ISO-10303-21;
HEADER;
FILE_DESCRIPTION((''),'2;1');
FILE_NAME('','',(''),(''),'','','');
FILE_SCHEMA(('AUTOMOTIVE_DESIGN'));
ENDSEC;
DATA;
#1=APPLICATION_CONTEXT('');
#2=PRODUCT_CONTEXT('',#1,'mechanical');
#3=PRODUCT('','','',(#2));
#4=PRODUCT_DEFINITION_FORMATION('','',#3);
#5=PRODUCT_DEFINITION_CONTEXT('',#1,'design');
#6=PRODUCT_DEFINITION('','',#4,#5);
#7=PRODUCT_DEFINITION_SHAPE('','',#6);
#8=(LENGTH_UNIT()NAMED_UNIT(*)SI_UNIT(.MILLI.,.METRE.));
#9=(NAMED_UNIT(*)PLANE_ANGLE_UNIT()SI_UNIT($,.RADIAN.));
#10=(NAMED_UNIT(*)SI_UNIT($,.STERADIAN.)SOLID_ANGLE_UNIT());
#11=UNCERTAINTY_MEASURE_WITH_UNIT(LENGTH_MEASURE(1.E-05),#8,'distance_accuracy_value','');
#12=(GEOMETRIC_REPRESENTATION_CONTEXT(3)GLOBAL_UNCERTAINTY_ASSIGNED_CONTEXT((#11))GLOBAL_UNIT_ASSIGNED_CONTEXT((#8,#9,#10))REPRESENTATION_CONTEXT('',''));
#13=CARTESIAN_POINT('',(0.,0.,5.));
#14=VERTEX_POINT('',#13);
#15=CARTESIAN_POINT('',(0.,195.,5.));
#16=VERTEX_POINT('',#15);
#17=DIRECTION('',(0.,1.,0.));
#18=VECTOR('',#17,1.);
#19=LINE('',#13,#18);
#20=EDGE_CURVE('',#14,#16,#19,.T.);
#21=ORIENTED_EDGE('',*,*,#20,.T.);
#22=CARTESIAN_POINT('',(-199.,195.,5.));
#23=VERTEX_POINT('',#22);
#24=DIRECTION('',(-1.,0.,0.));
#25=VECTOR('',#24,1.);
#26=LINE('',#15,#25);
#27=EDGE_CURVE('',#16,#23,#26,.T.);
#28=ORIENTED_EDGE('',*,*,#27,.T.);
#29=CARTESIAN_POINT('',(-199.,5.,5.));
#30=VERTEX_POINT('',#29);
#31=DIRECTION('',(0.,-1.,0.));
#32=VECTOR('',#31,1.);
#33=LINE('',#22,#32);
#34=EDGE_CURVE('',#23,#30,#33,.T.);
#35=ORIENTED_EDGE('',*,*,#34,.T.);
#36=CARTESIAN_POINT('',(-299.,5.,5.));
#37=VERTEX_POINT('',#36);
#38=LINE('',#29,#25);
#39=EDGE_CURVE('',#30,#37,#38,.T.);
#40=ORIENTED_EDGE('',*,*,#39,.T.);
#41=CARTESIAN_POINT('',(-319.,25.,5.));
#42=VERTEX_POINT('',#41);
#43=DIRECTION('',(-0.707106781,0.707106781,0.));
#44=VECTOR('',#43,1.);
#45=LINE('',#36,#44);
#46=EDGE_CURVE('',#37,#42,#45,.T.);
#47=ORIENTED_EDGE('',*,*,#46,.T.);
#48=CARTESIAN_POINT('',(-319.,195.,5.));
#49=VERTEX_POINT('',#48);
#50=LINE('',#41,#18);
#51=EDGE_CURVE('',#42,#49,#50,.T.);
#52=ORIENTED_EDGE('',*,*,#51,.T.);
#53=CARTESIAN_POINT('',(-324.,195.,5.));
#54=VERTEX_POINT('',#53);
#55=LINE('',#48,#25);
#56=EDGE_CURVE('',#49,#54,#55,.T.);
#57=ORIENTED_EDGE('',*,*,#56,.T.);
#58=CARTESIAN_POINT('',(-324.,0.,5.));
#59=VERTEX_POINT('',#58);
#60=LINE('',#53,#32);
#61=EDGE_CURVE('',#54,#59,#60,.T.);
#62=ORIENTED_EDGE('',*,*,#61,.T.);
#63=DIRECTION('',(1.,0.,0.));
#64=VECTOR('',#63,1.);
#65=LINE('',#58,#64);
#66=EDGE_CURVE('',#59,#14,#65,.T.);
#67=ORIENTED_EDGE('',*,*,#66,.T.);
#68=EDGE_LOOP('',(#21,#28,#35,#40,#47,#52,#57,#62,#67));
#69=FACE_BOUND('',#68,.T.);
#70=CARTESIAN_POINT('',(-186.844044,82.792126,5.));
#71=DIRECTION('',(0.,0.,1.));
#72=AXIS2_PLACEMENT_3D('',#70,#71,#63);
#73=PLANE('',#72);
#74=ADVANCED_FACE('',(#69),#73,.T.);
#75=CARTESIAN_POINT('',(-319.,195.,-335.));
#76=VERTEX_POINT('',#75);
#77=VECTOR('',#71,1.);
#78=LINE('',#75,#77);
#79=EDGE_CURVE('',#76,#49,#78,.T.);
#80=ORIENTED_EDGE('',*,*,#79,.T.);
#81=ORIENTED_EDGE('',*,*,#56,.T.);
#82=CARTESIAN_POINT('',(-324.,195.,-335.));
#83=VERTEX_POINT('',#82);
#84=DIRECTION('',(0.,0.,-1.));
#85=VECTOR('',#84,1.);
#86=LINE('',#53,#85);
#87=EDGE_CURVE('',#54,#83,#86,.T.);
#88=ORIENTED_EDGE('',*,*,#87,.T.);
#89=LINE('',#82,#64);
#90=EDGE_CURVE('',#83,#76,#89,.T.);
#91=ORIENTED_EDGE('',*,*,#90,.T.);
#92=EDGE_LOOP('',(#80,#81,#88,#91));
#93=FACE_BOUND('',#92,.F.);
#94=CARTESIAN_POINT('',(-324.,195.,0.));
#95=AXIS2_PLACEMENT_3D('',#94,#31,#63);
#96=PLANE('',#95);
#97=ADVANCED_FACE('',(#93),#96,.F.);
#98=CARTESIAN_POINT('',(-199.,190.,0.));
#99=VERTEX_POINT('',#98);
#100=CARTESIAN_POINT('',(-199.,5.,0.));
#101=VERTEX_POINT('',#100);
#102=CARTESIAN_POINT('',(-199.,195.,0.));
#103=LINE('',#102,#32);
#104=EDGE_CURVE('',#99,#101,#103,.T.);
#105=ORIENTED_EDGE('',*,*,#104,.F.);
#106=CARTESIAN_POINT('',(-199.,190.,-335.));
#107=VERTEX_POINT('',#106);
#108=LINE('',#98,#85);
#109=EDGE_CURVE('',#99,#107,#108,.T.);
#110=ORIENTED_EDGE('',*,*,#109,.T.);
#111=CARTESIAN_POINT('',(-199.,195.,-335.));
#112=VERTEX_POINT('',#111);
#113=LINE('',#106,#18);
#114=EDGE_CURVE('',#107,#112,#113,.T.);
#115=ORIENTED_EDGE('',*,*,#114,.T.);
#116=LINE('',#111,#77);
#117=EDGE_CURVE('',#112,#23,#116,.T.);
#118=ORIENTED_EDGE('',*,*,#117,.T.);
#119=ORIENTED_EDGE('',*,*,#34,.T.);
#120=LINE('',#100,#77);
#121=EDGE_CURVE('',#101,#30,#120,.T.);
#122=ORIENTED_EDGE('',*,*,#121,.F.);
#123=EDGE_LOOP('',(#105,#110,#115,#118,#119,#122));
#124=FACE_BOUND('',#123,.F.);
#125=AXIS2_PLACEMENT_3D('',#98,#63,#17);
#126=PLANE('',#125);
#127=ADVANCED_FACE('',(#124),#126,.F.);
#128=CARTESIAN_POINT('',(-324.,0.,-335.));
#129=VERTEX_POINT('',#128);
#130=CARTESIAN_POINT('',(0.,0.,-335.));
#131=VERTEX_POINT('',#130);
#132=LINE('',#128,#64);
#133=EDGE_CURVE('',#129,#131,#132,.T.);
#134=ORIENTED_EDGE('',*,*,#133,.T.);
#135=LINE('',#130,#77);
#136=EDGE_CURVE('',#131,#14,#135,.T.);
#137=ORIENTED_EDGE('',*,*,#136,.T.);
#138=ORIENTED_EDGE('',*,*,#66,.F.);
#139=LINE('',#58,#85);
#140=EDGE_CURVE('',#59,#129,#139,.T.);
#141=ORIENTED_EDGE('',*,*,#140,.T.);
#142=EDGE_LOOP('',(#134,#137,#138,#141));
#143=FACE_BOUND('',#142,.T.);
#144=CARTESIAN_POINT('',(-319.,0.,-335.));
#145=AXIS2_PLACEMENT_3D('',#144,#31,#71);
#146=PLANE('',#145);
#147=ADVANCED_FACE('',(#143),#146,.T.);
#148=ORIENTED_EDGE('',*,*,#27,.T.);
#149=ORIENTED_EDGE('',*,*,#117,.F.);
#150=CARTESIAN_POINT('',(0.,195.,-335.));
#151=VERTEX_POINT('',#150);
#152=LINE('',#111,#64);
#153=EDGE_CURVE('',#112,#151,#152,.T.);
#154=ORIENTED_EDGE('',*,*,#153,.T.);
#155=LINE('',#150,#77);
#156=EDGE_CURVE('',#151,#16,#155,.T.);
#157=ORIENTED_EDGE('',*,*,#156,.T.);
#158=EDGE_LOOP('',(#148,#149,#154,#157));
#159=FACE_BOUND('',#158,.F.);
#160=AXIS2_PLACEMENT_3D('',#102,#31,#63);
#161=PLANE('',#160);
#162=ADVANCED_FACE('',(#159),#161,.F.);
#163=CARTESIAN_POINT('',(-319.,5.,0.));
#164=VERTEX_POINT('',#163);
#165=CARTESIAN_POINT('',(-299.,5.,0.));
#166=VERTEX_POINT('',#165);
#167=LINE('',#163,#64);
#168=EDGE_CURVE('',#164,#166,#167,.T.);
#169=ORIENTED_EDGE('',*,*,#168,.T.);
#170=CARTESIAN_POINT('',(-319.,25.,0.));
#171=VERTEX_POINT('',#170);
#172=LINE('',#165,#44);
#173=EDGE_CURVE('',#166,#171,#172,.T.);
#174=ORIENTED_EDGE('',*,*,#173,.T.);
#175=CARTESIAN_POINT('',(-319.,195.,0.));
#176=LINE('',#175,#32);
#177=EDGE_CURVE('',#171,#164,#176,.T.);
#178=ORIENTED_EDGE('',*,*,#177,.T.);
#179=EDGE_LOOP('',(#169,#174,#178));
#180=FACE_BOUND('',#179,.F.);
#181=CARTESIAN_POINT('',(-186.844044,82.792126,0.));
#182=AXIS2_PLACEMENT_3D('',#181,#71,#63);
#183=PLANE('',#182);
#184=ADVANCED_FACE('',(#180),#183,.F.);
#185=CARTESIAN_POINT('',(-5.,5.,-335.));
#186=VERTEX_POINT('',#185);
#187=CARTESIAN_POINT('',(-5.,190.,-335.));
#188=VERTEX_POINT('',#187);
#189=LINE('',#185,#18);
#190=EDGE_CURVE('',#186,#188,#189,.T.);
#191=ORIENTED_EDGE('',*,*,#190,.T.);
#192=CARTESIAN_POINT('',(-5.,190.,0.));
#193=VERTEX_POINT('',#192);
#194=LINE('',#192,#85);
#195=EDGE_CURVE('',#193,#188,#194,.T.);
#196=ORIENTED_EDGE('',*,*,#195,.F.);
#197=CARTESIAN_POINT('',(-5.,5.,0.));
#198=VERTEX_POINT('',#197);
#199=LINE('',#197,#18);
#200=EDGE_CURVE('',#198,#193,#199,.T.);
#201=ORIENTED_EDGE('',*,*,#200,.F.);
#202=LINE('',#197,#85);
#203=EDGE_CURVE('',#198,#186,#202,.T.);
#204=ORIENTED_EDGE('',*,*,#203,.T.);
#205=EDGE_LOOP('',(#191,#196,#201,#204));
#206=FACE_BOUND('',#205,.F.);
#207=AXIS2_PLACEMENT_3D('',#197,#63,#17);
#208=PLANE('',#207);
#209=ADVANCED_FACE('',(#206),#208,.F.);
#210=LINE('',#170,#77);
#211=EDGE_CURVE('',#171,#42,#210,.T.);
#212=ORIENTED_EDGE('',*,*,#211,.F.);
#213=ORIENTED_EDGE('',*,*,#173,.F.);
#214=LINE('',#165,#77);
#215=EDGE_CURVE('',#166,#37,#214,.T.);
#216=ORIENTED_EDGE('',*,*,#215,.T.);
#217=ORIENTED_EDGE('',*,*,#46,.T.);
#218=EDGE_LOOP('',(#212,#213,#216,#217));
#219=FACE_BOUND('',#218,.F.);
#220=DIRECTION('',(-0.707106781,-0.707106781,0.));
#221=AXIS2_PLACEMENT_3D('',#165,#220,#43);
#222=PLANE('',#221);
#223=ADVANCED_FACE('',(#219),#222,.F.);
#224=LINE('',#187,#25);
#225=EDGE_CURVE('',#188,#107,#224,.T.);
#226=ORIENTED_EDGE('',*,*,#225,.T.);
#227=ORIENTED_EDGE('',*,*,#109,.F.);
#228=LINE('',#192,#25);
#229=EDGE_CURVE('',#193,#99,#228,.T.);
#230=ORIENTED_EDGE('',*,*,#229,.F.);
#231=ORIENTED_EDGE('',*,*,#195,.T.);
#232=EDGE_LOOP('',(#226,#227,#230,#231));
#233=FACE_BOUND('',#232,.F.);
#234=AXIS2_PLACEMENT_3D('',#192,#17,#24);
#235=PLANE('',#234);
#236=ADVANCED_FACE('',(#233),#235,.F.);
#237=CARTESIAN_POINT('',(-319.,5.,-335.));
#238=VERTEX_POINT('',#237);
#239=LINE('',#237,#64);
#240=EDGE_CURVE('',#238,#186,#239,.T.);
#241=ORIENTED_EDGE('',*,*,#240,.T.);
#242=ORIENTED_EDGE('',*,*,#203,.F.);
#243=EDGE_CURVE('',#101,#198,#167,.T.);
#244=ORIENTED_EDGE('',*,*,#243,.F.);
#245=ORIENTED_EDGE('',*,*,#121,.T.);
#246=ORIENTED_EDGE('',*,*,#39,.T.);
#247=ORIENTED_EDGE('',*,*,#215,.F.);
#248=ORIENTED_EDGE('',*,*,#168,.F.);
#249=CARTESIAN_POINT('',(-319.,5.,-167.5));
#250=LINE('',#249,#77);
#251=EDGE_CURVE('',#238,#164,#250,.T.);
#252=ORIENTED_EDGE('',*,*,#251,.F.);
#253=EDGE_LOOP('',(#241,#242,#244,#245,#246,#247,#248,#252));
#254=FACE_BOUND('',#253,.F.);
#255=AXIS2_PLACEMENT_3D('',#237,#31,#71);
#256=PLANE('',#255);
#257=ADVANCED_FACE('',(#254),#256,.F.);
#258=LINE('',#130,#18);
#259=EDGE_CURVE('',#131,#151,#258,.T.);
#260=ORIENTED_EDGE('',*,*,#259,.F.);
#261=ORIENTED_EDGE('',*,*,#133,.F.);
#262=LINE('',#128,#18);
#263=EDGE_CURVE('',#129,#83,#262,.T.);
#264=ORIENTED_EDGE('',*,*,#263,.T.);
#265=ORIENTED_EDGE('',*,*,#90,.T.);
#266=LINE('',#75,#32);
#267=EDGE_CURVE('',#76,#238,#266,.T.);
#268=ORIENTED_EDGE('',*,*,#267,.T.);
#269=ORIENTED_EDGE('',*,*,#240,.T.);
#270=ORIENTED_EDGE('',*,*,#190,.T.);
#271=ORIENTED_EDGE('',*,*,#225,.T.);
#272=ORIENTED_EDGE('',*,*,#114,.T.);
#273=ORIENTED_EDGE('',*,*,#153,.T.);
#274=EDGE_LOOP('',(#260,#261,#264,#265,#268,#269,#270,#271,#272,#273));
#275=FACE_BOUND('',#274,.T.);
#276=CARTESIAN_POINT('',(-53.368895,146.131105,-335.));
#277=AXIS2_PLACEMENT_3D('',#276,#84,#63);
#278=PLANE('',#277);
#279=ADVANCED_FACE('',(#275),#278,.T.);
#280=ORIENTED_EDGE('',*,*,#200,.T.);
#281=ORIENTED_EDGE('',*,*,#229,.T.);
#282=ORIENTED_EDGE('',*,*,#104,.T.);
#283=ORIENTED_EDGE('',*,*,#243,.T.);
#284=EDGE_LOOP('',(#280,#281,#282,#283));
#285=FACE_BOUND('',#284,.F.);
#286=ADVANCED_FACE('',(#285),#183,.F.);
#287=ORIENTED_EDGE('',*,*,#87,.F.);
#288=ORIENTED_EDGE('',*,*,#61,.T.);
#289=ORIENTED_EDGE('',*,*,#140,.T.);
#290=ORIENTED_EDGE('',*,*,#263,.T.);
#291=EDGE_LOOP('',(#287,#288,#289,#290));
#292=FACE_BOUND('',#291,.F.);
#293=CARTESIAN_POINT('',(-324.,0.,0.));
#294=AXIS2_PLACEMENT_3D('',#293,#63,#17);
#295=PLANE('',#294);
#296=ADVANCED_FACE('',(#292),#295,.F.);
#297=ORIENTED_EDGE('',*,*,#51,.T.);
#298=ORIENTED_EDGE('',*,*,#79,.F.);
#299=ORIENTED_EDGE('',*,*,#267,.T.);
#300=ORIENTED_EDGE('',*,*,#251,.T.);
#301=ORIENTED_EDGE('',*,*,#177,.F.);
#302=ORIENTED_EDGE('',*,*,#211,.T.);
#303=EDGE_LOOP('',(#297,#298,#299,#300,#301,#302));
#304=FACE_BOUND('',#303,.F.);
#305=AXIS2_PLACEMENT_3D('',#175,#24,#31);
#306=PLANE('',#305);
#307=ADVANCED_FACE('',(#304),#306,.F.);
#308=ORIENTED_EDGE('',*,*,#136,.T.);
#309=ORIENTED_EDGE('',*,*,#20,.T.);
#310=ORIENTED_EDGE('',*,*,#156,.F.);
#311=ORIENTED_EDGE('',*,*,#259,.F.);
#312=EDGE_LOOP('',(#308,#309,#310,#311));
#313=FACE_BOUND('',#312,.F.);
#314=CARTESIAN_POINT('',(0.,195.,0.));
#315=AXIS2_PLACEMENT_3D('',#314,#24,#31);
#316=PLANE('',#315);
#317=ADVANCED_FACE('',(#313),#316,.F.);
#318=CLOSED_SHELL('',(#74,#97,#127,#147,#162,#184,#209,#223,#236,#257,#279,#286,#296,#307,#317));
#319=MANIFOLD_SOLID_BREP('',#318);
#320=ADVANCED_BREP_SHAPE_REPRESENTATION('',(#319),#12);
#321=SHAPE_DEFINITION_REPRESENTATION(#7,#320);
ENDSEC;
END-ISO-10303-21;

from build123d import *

# Parameters (mm, degrees)
F1_DEPTH = 5
F3_DEPTH = 335
F4_W     = 5
F4_H     = 335
F5_DEPTH = 319
F7_DEPTH = 335


with BuildPart() as f1:
    # F0 (on Top) → F1 (new body)
    with BuildSketch(Plane.XY):
        Polygon((-324, 0), (0, 0), (0, 195), (-199, 195), (-199, 5), (-299, 5), (-319, 25), (-319, 195), (-324, 195), align=None)
    extrude(amount=F1_DEPTH)

    # F2 (on face) → F3 (join)
    with BuildSketch(Plane(origin=(0, 0, 0), x_dir=(1, 0, 0), z_dir=(0, 0, -1))):
        Polygon((-319, 0), (-324, 0), (-324, -195), (-319, -195), (-319, -25), align=None)
    extrude(amount=F3_DEPTH)

    # F4 (on face) → F5 (join, through all)
    with BuildSketch(Plane.YZ.offset(-319)):
        with Locations((2.5, -167.5)):
            Rectangle(F4_W, F4_H)
    extrude(amount=F5_DEPTH)

    # F6 (on face) → F7 (join, through all)
    with BuildSketch(Plane(origin=(0, 0, 0), x_dir=(1, 0, 0), z_dir=(0, 0, -1))):
        Polygon((0, -195), (0, -5), (-5, -5), (-5, -190), (-199, -190), (-199, -195), align=None)
    extrude(amount=F7_DEPTH)


solid = f1.part
